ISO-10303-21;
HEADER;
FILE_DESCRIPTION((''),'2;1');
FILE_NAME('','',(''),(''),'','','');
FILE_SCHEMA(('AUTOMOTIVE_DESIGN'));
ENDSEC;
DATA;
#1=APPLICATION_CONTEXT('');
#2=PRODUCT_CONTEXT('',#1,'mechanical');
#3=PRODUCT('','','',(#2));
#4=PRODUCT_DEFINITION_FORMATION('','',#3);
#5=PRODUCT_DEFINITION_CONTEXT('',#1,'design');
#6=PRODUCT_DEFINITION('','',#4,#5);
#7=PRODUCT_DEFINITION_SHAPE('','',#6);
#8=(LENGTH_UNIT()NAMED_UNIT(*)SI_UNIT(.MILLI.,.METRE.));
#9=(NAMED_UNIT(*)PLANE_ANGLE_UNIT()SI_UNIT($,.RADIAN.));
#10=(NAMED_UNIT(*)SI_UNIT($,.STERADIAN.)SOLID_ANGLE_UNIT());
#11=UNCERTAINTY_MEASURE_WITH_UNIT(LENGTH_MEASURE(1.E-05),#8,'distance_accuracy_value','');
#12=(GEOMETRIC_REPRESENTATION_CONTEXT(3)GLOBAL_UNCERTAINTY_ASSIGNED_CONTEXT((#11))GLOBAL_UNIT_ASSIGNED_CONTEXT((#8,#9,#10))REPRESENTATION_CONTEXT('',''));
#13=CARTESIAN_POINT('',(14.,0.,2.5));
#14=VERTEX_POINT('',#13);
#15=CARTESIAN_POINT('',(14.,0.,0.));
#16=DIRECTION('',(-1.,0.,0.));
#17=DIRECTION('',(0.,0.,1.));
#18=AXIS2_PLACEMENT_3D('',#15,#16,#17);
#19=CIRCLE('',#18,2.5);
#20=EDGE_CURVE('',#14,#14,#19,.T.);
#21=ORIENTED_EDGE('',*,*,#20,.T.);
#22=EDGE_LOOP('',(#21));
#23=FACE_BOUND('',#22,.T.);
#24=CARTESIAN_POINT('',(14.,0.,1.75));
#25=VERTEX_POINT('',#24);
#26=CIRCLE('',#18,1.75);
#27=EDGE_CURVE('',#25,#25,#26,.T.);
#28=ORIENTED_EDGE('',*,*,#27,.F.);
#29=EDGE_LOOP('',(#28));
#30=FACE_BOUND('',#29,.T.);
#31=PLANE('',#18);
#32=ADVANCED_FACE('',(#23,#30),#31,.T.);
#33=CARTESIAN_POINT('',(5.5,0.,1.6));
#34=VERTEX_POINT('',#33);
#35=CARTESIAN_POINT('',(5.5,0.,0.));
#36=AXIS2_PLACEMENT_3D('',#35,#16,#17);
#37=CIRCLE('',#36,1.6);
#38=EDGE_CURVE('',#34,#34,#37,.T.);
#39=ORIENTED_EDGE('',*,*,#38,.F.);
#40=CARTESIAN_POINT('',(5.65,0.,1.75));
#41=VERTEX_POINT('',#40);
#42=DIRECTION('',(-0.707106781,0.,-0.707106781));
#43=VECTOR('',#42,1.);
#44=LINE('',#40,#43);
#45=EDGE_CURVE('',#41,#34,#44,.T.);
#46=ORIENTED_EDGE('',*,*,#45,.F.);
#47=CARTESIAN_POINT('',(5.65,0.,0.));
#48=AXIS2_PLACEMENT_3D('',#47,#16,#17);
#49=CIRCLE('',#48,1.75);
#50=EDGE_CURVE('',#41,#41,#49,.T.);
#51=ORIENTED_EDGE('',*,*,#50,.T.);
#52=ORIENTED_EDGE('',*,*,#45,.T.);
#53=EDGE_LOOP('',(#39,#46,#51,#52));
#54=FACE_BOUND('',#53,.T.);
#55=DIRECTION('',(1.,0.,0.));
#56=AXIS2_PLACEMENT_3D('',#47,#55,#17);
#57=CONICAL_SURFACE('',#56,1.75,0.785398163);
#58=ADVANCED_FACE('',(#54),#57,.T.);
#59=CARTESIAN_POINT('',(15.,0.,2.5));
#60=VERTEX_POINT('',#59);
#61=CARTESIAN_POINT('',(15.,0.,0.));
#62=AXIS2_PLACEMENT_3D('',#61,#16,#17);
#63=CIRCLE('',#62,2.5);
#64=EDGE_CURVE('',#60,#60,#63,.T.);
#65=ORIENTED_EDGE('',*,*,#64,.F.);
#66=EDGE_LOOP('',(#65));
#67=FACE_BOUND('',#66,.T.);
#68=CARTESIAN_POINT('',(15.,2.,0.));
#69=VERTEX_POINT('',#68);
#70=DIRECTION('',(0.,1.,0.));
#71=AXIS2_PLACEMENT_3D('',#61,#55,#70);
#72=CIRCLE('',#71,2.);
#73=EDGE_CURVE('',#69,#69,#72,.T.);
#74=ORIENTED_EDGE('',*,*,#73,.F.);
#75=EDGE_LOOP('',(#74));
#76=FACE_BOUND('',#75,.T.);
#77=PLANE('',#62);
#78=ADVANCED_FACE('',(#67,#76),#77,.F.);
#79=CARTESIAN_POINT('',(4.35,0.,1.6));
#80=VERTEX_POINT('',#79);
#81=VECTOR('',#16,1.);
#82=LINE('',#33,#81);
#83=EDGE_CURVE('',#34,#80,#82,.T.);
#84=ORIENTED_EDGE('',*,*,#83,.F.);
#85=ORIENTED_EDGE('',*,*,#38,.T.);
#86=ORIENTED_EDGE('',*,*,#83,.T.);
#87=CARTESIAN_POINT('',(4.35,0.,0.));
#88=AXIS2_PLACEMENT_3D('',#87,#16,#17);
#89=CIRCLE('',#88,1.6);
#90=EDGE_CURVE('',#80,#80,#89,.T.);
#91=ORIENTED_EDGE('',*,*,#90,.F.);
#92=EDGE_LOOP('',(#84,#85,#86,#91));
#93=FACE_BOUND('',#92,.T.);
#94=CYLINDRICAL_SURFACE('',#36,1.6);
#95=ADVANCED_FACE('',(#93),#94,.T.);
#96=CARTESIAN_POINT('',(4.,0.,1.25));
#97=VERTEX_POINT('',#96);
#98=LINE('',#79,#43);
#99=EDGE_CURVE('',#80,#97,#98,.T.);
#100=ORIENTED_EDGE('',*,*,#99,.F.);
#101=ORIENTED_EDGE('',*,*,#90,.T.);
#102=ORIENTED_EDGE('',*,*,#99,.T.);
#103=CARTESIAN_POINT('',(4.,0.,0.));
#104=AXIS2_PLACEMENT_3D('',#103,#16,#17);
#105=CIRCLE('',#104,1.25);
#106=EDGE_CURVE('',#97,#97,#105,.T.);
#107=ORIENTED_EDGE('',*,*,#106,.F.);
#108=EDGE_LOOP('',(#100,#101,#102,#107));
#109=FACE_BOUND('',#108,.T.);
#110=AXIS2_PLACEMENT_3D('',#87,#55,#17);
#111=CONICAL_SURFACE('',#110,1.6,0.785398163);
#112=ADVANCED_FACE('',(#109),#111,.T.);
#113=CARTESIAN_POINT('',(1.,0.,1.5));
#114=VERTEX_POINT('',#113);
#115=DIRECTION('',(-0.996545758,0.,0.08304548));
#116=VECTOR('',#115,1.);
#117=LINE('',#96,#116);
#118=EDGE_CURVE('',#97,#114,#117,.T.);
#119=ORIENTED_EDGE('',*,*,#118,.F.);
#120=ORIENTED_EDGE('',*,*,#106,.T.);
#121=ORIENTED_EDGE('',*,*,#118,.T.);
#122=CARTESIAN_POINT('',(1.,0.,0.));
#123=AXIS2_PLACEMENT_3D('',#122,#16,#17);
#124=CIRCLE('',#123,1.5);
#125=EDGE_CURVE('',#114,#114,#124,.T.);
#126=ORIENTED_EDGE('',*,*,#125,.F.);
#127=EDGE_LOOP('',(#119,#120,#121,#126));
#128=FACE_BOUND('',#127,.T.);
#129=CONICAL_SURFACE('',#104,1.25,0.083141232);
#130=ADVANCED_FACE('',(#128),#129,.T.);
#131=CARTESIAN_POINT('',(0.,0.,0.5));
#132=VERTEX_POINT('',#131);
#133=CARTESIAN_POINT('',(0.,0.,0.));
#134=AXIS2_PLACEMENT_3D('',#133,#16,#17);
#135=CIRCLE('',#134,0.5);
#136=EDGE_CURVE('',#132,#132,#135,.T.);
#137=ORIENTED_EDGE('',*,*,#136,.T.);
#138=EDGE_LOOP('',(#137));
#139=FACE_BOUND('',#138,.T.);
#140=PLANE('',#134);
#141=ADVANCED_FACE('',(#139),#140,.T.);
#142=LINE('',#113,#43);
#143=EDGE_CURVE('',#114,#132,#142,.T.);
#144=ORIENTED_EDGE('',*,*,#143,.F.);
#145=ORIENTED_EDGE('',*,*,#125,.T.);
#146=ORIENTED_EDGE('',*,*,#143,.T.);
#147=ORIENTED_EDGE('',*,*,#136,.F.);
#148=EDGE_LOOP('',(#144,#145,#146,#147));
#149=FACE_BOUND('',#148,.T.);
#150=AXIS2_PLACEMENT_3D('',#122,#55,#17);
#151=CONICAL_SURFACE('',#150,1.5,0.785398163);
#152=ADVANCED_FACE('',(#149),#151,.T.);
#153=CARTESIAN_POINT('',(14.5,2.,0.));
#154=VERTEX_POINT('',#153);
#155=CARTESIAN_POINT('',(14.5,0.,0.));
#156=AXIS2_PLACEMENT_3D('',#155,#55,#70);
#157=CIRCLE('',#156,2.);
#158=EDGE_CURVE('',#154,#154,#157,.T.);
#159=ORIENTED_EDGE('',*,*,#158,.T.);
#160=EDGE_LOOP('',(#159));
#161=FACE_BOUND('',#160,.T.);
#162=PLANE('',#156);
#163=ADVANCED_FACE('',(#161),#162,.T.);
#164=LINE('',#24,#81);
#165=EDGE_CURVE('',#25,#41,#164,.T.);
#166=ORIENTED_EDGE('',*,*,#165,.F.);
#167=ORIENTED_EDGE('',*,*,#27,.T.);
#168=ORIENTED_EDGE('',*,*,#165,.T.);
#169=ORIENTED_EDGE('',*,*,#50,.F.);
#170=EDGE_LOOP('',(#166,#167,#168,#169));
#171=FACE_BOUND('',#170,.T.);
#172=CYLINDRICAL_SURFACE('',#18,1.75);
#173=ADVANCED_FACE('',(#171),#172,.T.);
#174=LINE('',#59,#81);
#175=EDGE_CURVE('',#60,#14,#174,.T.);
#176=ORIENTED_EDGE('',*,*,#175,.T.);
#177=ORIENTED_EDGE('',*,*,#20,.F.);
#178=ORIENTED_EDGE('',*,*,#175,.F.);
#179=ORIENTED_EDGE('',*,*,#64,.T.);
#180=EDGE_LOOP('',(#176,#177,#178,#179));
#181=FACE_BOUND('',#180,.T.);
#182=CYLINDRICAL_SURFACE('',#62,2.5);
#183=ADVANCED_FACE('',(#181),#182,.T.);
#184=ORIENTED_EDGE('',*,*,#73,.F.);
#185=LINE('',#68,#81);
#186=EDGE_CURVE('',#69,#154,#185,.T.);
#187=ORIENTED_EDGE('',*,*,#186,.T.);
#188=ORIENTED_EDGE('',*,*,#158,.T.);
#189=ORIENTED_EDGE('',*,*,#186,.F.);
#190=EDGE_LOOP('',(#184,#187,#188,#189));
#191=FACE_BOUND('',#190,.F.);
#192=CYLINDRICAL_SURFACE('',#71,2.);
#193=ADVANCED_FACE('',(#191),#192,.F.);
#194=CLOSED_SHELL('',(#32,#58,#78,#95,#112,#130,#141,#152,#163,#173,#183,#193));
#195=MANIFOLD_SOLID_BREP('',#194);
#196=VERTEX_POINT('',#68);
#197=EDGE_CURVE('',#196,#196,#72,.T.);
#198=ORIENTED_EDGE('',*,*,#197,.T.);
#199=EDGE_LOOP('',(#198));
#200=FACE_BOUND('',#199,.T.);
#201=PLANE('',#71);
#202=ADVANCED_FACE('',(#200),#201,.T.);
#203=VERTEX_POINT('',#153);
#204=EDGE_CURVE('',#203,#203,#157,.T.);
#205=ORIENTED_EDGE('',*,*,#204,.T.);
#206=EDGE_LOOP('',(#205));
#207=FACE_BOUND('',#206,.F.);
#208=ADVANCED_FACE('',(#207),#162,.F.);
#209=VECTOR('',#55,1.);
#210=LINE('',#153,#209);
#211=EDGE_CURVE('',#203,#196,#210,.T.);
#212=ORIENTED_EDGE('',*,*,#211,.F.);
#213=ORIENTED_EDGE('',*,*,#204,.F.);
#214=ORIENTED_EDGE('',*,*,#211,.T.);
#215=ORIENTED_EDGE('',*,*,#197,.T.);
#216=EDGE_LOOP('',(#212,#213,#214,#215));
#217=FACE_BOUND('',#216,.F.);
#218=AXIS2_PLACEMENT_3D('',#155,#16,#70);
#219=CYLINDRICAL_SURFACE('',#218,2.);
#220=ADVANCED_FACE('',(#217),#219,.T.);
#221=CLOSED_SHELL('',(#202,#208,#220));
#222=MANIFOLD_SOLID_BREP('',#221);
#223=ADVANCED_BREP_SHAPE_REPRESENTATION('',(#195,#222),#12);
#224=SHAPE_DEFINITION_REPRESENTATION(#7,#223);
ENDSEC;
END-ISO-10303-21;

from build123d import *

# Parameters (mm, degrees)
F2_R     = 2
F3_DEPTH = 0.5
F4_R     = 2
F5_DEPTH = 0.5


with BuildPart() as f1:
    # F0 (on Front) → F1 (revolve)
    with BuildSketch(Plane.XZ):
        Polygon((0, 0.5), (0, 0), (15, 0), (15, 2.5), (14, 2.5), (14, 1.75), (5.65, 1.75), (5.5, 1.6), (4.35, 1.6), (4, 1.25), (1, 1.5), align=None)
    revolve(axis=Axis((7.5, 0, 0), (-1, 0, 0)))

    # F2 (on face) → F3 (cut)
    with BuildSketch(Plane.YZ.offset(15)):
        Circle(F2_R)
    extrude(amount=-F3_DEPTH, mode=Mode.SUBTRACT)


with BuildPart() as f5:
    # F4 (on face) → F5 (new body)
    with BuildSketch(Plane.YZ.offset(14.5)):
        Circle(F4_R)
    extrude(amount=F5_DEPTH)


solid = Compound([f1.part, f5.part])
